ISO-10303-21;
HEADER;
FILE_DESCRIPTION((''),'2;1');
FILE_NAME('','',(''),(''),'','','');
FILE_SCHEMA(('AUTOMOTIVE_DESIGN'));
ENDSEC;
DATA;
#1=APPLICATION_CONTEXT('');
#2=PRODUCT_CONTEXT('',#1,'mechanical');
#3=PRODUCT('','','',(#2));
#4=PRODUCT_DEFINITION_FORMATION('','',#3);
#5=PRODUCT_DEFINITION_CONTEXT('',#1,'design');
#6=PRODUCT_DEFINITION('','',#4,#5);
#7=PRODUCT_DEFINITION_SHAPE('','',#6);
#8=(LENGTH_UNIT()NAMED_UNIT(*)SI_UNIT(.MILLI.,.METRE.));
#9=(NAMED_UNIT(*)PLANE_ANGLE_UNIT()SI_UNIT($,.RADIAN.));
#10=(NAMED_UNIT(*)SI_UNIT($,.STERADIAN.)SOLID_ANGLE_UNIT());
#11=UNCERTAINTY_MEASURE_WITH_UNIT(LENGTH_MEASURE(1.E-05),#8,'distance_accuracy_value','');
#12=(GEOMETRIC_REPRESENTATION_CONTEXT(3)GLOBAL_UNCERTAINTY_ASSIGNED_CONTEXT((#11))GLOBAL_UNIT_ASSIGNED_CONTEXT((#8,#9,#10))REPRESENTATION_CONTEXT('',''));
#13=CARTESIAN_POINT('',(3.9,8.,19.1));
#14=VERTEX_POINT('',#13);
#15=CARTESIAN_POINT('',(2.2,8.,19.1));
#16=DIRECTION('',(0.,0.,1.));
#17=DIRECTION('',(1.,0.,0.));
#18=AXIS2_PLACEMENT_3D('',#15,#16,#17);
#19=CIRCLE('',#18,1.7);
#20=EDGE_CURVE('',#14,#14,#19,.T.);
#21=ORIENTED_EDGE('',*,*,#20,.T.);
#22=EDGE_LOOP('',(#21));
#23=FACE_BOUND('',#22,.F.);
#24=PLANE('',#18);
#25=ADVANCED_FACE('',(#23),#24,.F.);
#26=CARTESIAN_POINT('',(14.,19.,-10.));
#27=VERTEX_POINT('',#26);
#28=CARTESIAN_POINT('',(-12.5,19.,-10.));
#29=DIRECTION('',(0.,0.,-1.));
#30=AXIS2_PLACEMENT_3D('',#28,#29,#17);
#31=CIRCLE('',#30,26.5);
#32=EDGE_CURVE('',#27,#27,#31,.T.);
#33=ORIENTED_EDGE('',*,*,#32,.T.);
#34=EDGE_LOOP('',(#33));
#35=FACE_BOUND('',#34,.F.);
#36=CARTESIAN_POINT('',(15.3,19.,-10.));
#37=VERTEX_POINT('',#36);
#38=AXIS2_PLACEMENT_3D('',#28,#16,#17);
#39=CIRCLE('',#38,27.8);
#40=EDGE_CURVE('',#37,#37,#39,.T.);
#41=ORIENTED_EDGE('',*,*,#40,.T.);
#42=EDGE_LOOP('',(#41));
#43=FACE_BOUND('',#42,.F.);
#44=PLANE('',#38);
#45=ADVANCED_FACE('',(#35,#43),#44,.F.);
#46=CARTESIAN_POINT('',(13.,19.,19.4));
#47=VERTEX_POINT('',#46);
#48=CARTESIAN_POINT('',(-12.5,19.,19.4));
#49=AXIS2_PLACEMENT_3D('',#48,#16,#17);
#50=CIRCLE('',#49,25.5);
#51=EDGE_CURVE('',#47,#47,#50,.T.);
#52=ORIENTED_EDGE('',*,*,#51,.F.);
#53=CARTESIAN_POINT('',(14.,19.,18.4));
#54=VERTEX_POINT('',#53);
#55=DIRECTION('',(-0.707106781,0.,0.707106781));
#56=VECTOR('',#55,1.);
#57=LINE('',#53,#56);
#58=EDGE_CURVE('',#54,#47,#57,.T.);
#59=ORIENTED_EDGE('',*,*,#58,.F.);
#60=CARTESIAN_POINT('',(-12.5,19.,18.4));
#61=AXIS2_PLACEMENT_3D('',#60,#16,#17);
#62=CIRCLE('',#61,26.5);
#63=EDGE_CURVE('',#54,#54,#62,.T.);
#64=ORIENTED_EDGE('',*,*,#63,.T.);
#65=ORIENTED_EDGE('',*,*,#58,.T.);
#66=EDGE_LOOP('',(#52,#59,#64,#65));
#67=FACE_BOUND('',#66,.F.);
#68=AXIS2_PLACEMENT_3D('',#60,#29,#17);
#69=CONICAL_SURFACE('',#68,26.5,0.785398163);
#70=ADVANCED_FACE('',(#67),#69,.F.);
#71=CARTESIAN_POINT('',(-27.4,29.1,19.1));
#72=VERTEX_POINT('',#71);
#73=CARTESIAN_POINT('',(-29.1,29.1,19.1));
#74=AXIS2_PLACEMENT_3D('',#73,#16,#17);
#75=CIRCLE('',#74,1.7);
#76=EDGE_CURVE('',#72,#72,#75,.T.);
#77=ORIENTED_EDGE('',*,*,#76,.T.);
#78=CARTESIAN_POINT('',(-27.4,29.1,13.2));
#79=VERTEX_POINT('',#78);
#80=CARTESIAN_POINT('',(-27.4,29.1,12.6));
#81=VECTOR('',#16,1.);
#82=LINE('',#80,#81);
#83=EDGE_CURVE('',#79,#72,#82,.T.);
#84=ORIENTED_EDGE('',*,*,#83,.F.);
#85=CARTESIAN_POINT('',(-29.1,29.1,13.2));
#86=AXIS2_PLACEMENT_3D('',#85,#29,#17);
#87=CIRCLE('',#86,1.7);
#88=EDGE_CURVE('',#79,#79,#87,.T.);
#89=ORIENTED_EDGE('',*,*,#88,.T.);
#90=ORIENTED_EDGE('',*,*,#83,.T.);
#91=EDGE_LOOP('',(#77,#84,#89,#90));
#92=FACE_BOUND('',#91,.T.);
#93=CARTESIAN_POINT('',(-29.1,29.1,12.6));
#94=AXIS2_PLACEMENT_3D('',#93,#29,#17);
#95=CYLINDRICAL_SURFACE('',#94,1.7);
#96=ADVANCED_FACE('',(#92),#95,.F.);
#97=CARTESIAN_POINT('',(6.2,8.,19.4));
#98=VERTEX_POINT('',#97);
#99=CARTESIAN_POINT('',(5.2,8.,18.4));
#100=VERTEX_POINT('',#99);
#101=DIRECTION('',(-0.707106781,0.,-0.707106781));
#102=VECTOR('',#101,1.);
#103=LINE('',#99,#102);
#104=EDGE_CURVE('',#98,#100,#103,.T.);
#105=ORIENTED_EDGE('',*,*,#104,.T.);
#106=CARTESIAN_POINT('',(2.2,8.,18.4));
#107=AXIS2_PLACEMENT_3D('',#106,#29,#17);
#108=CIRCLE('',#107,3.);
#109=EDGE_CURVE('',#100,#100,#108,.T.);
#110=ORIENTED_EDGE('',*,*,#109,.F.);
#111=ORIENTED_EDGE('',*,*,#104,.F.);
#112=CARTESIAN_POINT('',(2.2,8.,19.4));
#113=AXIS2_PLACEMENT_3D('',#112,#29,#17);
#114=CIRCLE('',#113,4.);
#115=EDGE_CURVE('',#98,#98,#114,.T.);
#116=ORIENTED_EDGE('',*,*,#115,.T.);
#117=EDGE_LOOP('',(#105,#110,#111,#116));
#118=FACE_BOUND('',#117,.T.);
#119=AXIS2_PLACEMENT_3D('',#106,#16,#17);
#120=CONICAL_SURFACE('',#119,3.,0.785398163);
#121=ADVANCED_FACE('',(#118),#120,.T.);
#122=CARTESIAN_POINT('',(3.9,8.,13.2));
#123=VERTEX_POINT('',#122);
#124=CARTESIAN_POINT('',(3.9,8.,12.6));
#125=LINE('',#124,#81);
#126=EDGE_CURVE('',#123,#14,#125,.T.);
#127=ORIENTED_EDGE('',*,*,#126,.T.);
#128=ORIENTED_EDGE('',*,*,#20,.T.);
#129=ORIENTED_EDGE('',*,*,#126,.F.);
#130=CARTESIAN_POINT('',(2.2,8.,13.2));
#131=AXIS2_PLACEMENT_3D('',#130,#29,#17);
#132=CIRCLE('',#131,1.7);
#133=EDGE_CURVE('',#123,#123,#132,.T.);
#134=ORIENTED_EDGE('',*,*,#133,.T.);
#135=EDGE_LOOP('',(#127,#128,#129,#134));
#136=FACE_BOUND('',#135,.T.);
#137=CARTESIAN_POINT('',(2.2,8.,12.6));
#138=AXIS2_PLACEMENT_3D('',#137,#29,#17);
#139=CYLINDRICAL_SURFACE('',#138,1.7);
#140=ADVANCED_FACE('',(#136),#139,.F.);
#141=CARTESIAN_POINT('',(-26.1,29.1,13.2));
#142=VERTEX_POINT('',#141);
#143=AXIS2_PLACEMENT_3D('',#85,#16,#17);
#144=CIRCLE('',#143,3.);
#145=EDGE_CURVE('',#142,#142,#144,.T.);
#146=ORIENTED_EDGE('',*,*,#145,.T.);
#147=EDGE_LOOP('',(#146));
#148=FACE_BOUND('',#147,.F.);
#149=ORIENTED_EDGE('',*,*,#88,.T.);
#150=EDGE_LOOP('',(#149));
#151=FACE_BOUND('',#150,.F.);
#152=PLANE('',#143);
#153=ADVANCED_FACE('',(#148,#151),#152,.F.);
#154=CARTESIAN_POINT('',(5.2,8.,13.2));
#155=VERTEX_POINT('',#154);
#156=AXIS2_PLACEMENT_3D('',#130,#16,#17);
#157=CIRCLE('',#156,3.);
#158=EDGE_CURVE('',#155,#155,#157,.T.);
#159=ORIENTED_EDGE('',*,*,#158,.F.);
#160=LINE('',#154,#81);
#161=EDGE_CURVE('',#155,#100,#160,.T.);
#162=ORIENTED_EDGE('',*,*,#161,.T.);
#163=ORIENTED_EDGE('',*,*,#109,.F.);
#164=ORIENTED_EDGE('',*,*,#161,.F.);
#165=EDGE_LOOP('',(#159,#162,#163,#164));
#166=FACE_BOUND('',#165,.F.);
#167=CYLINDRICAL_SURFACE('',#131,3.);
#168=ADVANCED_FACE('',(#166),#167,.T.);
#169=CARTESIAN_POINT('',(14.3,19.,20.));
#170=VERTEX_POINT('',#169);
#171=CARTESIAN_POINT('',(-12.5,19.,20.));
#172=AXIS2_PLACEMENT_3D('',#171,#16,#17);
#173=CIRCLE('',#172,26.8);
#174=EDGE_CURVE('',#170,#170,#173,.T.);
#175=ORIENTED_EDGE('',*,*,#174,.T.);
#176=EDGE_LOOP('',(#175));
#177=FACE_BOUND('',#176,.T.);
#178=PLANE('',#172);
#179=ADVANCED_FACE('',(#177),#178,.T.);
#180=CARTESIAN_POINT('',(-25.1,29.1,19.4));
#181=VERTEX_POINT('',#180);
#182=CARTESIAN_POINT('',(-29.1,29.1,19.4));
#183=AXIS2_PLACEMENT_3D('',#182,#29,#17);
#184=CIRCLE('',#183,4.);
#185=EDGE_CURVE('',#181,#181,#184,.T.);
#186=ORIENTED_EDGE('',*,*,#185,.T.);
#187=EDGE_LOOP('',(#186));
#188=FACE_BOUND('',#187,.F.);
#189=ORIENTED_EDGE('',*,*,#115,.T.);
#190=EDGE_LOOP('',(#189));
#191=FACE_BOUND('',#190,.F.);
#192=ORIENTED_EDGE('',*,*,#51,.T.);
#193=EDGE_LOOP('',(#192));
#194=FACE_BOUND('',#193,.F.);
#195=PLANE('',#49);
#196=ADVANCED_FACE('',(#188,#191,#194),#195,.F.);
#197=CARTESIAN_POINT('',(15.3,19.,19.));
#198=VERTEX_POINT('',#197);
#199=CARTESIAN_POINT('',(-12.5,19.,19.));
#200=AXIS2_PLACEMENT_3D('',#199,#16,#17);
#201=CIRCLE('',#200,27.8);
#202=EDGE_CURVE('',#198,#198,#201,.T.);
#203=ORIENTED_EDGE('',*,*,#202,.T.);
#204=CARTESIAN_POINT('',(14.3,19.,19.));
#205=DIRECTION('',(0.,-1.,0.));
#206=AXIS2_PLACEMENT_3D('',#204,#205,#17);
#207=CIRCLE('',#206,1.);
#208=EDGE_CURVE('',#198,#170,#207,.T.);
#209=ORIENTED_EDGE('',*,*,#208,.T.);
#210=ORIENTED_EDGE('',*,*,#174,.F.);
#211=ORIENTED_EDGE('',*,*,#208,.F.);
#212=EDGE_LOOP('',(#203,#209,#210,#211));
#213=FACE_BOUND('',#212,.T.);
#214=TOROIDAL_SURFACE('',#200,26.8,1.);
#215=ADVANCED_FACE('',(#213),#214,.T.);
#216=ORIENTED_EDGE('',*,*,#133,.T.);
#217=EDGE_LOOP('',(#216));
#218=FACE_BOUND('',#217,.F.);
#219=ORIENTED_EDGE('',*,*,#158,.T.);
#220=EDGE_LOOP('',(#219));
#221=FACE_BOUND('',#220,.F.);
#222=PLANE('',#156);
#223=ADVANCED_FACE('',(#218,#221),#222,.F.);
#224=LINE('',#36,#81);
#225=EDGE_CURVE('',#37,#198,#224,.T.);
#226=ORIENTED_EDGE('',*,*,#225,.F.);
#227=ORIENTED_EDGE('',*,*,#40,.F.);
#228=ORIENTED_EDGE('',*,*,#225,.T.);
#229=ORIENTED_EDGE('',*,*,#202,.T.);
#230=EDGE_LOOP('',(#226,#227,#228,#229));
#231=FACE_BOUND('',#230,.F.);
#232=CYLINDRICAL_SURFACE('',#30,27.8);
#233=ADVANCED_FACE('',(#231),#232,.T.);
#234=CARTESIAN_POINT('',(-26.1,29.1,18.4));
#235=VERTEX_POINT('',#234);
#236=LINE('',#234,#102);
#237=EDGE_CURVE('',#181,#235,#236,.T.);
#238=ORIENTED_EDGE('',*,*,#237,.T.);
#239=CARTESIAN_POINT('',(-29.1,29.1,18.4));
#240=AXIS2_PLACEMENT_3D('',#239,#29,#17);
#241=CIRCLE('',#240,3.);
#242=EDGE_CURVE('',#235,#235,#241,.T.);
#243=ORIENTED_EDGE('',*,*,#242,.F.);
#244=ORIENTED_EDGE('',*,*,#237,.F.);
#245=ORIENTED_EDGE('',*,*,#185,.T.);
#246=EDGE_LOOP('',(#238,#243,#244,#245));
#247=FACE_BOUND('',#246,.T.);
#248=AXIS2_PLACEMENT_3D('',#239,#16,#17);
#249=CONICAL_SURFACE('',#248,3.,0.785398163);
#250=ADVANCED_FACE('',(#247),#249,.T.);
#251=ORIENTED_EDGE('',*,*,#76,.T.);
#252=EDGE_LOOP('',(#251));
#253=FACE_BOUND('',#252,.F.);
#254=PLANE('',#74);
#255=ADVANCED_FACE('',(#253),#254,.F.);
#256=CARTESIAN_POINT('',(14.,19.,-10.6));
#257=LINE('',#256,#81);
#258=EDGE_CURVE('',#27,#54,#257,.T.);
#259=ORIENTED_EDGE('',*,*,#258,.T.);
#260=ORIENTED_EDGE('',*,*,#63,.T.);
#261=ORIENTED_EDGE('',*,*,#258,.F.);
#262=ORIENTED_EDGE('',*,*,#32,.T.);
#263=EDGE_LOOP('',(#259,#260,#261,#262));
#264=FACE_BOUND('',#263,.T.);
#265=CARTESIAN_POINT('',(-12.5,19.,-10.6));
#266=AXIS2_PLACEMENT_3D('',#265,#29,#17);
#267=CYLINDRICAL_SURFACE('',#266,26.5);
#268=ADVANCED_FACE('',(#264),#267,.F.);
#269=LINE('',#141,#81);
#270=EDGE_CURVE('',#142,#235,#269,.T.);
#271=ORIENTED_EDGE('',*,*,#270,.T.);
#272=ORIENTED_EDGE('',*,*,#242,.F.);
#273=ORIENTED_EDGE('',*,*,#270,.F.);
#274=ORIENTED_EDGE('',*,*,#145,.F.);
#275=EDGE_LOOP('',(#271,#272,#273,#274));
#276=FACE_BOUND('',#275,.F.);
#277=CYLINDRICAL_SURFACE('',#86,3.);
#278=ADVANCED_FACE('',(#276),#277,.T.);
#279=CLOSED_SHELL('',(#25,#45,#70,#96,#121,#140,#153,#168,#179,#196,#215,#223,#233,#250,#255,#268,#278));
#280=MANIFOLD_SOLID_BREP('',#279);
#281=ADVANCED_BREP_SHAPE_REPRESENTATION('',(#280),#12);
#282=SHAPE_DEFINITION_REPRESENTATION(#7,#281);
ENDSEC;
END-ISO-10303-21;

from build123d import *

# Parameters (mm, degrees)
CYLINDER004_R     = 1.7
CYLINDER004_DEPTH = 6.5
CYLINDER002_R     = 3
CYLINDER002_DEPTH = 6.5
CYLINDER_R        = 26.5
CYLINDER_DEPTH    = 30
CYLINDER001_R     = 27.8
CYLINDER001_DEPTH = 30
CYLINDER005_R     = 1.7
CYLINDER005_DEPTH = 6.5
CYLINDER003_R     = 3
CYLINDER003_DEPTH = 6.5
CHAMFER_SIZE      = 1
FILLET_R          = 1


with BuildPart() as vaciado_tope1:
    # Cylinder004 → Cylinder004 (new body)
    with BuildSketch(Plane(origin=(2.2, 8, -3.4), x_dir=(1, 0, 0), z_dir=(0, 0, 1))):
        Circle(CYLINDER004_R)
    extrude(amount=CYLINDER004_DEPTH)


with BuildPart() as cut001:
    # Cylinder002 → Cylinder002 (new body)
    with BuildSketch(Plane(origin=(2.2, 8, -2.8), x_dir=(1, 0, 0), z_dir=(0, 0, 1))):
        Circle(CYLINDER002_R)
    extrude(amount=CYLINDER002_DEPTH)

    # Cut001: cut vaciado tope1
    add(vaciado_tope1.part, mode=Mode.SUBTRACT)


with BuildPart() as cut001_1:
    # Cut001 placement: moved
    add(cut001.part.moved(Location((0, 0, 16))))


with BuildPart() as base_exterior_vaciado:
    # Cylinder → Cylinder (new body)
    with BuildSketch(Plane(origin=(-12.5, 19, -10.6), x_dir=(1, 0, 0), z_dir=(0, 0, 1))):
        Circle(CYLINDER_R)
    extrude(amount=CYLINDER_DEPTH)


with BuildPart() as cut:
    # Cylinder001 → Cylinder001 (new body)
    with BuildSketch(Plane(origin=(-12.5, 19, -10), x_dir=(1, 0, 0), z_dir=(0, 0, 1))):
        Circle(CYLINDER001_R)
    extrude(amount=CYLINDER001_DEPTH)

    # Cut: cut base exterior vaciado
    add(base_exterior_vaciado.part, mode=Mode.SUBTRACT)


with BuildPart() as vaciado_tope2:
    # Cylinder005 → Cylinder005 (new body)
    with BuildSketch(Plane(origin=(-29.1, 29.1, -3.4), x_dir=(1, 0, 0), z_dir=(0, 0, 1))):
        Circle(CYLINDER005_R)
    extrude(amount=CYLINDER005_DEPTH)


with BuildPart() as base_dise_o_alto:
    # Cylinder003 → Cylinder003 (new body)
    with BuildSketch(Plane(origin=(-29.1, 29.1, -2.8), x_dir=(1, 0, 0), z_dir=(0, 0, 1))):
        Circle(CYLINDER003_R)
    extrude(amount=CYLINDER003_DEPTH)

    # Cut002: cut vaciado tope2
    add(vaciado_tope2.part, mode=Mode.SUBTRACT)


with BuildPart() as base_dise_o_alto_1:
    # Cut002 placement: moved
    add(base_dise_o_alto.part.moved(Location((0, 0, 16))))

    # Fusion: union Cut001, Cut
    add(cut001_1.part)
    add(cut.part)

    # Chamfer
    chamfer_edges = [base_dise_o_alto_1.edges().sort_by_distance(p)[0] for p in [
        (-32.1, 29.1, 19.4),
        (-39, 19, 19.4),
        (-0.8, 8, 19.4),
    ]]
    chamfer(chamfer_edges, length=CHAMFER_SIZE)

    # Fillet
    fillet_edges = [base_dise_o_alto_1.edges().sort_by_distance(p)[0] for p in [
        (-40.3, 19, 20),
    ]]
    fillet(fillet_edges, radius=FILLET_R)


solid = base_dise_o_alto_1.part
